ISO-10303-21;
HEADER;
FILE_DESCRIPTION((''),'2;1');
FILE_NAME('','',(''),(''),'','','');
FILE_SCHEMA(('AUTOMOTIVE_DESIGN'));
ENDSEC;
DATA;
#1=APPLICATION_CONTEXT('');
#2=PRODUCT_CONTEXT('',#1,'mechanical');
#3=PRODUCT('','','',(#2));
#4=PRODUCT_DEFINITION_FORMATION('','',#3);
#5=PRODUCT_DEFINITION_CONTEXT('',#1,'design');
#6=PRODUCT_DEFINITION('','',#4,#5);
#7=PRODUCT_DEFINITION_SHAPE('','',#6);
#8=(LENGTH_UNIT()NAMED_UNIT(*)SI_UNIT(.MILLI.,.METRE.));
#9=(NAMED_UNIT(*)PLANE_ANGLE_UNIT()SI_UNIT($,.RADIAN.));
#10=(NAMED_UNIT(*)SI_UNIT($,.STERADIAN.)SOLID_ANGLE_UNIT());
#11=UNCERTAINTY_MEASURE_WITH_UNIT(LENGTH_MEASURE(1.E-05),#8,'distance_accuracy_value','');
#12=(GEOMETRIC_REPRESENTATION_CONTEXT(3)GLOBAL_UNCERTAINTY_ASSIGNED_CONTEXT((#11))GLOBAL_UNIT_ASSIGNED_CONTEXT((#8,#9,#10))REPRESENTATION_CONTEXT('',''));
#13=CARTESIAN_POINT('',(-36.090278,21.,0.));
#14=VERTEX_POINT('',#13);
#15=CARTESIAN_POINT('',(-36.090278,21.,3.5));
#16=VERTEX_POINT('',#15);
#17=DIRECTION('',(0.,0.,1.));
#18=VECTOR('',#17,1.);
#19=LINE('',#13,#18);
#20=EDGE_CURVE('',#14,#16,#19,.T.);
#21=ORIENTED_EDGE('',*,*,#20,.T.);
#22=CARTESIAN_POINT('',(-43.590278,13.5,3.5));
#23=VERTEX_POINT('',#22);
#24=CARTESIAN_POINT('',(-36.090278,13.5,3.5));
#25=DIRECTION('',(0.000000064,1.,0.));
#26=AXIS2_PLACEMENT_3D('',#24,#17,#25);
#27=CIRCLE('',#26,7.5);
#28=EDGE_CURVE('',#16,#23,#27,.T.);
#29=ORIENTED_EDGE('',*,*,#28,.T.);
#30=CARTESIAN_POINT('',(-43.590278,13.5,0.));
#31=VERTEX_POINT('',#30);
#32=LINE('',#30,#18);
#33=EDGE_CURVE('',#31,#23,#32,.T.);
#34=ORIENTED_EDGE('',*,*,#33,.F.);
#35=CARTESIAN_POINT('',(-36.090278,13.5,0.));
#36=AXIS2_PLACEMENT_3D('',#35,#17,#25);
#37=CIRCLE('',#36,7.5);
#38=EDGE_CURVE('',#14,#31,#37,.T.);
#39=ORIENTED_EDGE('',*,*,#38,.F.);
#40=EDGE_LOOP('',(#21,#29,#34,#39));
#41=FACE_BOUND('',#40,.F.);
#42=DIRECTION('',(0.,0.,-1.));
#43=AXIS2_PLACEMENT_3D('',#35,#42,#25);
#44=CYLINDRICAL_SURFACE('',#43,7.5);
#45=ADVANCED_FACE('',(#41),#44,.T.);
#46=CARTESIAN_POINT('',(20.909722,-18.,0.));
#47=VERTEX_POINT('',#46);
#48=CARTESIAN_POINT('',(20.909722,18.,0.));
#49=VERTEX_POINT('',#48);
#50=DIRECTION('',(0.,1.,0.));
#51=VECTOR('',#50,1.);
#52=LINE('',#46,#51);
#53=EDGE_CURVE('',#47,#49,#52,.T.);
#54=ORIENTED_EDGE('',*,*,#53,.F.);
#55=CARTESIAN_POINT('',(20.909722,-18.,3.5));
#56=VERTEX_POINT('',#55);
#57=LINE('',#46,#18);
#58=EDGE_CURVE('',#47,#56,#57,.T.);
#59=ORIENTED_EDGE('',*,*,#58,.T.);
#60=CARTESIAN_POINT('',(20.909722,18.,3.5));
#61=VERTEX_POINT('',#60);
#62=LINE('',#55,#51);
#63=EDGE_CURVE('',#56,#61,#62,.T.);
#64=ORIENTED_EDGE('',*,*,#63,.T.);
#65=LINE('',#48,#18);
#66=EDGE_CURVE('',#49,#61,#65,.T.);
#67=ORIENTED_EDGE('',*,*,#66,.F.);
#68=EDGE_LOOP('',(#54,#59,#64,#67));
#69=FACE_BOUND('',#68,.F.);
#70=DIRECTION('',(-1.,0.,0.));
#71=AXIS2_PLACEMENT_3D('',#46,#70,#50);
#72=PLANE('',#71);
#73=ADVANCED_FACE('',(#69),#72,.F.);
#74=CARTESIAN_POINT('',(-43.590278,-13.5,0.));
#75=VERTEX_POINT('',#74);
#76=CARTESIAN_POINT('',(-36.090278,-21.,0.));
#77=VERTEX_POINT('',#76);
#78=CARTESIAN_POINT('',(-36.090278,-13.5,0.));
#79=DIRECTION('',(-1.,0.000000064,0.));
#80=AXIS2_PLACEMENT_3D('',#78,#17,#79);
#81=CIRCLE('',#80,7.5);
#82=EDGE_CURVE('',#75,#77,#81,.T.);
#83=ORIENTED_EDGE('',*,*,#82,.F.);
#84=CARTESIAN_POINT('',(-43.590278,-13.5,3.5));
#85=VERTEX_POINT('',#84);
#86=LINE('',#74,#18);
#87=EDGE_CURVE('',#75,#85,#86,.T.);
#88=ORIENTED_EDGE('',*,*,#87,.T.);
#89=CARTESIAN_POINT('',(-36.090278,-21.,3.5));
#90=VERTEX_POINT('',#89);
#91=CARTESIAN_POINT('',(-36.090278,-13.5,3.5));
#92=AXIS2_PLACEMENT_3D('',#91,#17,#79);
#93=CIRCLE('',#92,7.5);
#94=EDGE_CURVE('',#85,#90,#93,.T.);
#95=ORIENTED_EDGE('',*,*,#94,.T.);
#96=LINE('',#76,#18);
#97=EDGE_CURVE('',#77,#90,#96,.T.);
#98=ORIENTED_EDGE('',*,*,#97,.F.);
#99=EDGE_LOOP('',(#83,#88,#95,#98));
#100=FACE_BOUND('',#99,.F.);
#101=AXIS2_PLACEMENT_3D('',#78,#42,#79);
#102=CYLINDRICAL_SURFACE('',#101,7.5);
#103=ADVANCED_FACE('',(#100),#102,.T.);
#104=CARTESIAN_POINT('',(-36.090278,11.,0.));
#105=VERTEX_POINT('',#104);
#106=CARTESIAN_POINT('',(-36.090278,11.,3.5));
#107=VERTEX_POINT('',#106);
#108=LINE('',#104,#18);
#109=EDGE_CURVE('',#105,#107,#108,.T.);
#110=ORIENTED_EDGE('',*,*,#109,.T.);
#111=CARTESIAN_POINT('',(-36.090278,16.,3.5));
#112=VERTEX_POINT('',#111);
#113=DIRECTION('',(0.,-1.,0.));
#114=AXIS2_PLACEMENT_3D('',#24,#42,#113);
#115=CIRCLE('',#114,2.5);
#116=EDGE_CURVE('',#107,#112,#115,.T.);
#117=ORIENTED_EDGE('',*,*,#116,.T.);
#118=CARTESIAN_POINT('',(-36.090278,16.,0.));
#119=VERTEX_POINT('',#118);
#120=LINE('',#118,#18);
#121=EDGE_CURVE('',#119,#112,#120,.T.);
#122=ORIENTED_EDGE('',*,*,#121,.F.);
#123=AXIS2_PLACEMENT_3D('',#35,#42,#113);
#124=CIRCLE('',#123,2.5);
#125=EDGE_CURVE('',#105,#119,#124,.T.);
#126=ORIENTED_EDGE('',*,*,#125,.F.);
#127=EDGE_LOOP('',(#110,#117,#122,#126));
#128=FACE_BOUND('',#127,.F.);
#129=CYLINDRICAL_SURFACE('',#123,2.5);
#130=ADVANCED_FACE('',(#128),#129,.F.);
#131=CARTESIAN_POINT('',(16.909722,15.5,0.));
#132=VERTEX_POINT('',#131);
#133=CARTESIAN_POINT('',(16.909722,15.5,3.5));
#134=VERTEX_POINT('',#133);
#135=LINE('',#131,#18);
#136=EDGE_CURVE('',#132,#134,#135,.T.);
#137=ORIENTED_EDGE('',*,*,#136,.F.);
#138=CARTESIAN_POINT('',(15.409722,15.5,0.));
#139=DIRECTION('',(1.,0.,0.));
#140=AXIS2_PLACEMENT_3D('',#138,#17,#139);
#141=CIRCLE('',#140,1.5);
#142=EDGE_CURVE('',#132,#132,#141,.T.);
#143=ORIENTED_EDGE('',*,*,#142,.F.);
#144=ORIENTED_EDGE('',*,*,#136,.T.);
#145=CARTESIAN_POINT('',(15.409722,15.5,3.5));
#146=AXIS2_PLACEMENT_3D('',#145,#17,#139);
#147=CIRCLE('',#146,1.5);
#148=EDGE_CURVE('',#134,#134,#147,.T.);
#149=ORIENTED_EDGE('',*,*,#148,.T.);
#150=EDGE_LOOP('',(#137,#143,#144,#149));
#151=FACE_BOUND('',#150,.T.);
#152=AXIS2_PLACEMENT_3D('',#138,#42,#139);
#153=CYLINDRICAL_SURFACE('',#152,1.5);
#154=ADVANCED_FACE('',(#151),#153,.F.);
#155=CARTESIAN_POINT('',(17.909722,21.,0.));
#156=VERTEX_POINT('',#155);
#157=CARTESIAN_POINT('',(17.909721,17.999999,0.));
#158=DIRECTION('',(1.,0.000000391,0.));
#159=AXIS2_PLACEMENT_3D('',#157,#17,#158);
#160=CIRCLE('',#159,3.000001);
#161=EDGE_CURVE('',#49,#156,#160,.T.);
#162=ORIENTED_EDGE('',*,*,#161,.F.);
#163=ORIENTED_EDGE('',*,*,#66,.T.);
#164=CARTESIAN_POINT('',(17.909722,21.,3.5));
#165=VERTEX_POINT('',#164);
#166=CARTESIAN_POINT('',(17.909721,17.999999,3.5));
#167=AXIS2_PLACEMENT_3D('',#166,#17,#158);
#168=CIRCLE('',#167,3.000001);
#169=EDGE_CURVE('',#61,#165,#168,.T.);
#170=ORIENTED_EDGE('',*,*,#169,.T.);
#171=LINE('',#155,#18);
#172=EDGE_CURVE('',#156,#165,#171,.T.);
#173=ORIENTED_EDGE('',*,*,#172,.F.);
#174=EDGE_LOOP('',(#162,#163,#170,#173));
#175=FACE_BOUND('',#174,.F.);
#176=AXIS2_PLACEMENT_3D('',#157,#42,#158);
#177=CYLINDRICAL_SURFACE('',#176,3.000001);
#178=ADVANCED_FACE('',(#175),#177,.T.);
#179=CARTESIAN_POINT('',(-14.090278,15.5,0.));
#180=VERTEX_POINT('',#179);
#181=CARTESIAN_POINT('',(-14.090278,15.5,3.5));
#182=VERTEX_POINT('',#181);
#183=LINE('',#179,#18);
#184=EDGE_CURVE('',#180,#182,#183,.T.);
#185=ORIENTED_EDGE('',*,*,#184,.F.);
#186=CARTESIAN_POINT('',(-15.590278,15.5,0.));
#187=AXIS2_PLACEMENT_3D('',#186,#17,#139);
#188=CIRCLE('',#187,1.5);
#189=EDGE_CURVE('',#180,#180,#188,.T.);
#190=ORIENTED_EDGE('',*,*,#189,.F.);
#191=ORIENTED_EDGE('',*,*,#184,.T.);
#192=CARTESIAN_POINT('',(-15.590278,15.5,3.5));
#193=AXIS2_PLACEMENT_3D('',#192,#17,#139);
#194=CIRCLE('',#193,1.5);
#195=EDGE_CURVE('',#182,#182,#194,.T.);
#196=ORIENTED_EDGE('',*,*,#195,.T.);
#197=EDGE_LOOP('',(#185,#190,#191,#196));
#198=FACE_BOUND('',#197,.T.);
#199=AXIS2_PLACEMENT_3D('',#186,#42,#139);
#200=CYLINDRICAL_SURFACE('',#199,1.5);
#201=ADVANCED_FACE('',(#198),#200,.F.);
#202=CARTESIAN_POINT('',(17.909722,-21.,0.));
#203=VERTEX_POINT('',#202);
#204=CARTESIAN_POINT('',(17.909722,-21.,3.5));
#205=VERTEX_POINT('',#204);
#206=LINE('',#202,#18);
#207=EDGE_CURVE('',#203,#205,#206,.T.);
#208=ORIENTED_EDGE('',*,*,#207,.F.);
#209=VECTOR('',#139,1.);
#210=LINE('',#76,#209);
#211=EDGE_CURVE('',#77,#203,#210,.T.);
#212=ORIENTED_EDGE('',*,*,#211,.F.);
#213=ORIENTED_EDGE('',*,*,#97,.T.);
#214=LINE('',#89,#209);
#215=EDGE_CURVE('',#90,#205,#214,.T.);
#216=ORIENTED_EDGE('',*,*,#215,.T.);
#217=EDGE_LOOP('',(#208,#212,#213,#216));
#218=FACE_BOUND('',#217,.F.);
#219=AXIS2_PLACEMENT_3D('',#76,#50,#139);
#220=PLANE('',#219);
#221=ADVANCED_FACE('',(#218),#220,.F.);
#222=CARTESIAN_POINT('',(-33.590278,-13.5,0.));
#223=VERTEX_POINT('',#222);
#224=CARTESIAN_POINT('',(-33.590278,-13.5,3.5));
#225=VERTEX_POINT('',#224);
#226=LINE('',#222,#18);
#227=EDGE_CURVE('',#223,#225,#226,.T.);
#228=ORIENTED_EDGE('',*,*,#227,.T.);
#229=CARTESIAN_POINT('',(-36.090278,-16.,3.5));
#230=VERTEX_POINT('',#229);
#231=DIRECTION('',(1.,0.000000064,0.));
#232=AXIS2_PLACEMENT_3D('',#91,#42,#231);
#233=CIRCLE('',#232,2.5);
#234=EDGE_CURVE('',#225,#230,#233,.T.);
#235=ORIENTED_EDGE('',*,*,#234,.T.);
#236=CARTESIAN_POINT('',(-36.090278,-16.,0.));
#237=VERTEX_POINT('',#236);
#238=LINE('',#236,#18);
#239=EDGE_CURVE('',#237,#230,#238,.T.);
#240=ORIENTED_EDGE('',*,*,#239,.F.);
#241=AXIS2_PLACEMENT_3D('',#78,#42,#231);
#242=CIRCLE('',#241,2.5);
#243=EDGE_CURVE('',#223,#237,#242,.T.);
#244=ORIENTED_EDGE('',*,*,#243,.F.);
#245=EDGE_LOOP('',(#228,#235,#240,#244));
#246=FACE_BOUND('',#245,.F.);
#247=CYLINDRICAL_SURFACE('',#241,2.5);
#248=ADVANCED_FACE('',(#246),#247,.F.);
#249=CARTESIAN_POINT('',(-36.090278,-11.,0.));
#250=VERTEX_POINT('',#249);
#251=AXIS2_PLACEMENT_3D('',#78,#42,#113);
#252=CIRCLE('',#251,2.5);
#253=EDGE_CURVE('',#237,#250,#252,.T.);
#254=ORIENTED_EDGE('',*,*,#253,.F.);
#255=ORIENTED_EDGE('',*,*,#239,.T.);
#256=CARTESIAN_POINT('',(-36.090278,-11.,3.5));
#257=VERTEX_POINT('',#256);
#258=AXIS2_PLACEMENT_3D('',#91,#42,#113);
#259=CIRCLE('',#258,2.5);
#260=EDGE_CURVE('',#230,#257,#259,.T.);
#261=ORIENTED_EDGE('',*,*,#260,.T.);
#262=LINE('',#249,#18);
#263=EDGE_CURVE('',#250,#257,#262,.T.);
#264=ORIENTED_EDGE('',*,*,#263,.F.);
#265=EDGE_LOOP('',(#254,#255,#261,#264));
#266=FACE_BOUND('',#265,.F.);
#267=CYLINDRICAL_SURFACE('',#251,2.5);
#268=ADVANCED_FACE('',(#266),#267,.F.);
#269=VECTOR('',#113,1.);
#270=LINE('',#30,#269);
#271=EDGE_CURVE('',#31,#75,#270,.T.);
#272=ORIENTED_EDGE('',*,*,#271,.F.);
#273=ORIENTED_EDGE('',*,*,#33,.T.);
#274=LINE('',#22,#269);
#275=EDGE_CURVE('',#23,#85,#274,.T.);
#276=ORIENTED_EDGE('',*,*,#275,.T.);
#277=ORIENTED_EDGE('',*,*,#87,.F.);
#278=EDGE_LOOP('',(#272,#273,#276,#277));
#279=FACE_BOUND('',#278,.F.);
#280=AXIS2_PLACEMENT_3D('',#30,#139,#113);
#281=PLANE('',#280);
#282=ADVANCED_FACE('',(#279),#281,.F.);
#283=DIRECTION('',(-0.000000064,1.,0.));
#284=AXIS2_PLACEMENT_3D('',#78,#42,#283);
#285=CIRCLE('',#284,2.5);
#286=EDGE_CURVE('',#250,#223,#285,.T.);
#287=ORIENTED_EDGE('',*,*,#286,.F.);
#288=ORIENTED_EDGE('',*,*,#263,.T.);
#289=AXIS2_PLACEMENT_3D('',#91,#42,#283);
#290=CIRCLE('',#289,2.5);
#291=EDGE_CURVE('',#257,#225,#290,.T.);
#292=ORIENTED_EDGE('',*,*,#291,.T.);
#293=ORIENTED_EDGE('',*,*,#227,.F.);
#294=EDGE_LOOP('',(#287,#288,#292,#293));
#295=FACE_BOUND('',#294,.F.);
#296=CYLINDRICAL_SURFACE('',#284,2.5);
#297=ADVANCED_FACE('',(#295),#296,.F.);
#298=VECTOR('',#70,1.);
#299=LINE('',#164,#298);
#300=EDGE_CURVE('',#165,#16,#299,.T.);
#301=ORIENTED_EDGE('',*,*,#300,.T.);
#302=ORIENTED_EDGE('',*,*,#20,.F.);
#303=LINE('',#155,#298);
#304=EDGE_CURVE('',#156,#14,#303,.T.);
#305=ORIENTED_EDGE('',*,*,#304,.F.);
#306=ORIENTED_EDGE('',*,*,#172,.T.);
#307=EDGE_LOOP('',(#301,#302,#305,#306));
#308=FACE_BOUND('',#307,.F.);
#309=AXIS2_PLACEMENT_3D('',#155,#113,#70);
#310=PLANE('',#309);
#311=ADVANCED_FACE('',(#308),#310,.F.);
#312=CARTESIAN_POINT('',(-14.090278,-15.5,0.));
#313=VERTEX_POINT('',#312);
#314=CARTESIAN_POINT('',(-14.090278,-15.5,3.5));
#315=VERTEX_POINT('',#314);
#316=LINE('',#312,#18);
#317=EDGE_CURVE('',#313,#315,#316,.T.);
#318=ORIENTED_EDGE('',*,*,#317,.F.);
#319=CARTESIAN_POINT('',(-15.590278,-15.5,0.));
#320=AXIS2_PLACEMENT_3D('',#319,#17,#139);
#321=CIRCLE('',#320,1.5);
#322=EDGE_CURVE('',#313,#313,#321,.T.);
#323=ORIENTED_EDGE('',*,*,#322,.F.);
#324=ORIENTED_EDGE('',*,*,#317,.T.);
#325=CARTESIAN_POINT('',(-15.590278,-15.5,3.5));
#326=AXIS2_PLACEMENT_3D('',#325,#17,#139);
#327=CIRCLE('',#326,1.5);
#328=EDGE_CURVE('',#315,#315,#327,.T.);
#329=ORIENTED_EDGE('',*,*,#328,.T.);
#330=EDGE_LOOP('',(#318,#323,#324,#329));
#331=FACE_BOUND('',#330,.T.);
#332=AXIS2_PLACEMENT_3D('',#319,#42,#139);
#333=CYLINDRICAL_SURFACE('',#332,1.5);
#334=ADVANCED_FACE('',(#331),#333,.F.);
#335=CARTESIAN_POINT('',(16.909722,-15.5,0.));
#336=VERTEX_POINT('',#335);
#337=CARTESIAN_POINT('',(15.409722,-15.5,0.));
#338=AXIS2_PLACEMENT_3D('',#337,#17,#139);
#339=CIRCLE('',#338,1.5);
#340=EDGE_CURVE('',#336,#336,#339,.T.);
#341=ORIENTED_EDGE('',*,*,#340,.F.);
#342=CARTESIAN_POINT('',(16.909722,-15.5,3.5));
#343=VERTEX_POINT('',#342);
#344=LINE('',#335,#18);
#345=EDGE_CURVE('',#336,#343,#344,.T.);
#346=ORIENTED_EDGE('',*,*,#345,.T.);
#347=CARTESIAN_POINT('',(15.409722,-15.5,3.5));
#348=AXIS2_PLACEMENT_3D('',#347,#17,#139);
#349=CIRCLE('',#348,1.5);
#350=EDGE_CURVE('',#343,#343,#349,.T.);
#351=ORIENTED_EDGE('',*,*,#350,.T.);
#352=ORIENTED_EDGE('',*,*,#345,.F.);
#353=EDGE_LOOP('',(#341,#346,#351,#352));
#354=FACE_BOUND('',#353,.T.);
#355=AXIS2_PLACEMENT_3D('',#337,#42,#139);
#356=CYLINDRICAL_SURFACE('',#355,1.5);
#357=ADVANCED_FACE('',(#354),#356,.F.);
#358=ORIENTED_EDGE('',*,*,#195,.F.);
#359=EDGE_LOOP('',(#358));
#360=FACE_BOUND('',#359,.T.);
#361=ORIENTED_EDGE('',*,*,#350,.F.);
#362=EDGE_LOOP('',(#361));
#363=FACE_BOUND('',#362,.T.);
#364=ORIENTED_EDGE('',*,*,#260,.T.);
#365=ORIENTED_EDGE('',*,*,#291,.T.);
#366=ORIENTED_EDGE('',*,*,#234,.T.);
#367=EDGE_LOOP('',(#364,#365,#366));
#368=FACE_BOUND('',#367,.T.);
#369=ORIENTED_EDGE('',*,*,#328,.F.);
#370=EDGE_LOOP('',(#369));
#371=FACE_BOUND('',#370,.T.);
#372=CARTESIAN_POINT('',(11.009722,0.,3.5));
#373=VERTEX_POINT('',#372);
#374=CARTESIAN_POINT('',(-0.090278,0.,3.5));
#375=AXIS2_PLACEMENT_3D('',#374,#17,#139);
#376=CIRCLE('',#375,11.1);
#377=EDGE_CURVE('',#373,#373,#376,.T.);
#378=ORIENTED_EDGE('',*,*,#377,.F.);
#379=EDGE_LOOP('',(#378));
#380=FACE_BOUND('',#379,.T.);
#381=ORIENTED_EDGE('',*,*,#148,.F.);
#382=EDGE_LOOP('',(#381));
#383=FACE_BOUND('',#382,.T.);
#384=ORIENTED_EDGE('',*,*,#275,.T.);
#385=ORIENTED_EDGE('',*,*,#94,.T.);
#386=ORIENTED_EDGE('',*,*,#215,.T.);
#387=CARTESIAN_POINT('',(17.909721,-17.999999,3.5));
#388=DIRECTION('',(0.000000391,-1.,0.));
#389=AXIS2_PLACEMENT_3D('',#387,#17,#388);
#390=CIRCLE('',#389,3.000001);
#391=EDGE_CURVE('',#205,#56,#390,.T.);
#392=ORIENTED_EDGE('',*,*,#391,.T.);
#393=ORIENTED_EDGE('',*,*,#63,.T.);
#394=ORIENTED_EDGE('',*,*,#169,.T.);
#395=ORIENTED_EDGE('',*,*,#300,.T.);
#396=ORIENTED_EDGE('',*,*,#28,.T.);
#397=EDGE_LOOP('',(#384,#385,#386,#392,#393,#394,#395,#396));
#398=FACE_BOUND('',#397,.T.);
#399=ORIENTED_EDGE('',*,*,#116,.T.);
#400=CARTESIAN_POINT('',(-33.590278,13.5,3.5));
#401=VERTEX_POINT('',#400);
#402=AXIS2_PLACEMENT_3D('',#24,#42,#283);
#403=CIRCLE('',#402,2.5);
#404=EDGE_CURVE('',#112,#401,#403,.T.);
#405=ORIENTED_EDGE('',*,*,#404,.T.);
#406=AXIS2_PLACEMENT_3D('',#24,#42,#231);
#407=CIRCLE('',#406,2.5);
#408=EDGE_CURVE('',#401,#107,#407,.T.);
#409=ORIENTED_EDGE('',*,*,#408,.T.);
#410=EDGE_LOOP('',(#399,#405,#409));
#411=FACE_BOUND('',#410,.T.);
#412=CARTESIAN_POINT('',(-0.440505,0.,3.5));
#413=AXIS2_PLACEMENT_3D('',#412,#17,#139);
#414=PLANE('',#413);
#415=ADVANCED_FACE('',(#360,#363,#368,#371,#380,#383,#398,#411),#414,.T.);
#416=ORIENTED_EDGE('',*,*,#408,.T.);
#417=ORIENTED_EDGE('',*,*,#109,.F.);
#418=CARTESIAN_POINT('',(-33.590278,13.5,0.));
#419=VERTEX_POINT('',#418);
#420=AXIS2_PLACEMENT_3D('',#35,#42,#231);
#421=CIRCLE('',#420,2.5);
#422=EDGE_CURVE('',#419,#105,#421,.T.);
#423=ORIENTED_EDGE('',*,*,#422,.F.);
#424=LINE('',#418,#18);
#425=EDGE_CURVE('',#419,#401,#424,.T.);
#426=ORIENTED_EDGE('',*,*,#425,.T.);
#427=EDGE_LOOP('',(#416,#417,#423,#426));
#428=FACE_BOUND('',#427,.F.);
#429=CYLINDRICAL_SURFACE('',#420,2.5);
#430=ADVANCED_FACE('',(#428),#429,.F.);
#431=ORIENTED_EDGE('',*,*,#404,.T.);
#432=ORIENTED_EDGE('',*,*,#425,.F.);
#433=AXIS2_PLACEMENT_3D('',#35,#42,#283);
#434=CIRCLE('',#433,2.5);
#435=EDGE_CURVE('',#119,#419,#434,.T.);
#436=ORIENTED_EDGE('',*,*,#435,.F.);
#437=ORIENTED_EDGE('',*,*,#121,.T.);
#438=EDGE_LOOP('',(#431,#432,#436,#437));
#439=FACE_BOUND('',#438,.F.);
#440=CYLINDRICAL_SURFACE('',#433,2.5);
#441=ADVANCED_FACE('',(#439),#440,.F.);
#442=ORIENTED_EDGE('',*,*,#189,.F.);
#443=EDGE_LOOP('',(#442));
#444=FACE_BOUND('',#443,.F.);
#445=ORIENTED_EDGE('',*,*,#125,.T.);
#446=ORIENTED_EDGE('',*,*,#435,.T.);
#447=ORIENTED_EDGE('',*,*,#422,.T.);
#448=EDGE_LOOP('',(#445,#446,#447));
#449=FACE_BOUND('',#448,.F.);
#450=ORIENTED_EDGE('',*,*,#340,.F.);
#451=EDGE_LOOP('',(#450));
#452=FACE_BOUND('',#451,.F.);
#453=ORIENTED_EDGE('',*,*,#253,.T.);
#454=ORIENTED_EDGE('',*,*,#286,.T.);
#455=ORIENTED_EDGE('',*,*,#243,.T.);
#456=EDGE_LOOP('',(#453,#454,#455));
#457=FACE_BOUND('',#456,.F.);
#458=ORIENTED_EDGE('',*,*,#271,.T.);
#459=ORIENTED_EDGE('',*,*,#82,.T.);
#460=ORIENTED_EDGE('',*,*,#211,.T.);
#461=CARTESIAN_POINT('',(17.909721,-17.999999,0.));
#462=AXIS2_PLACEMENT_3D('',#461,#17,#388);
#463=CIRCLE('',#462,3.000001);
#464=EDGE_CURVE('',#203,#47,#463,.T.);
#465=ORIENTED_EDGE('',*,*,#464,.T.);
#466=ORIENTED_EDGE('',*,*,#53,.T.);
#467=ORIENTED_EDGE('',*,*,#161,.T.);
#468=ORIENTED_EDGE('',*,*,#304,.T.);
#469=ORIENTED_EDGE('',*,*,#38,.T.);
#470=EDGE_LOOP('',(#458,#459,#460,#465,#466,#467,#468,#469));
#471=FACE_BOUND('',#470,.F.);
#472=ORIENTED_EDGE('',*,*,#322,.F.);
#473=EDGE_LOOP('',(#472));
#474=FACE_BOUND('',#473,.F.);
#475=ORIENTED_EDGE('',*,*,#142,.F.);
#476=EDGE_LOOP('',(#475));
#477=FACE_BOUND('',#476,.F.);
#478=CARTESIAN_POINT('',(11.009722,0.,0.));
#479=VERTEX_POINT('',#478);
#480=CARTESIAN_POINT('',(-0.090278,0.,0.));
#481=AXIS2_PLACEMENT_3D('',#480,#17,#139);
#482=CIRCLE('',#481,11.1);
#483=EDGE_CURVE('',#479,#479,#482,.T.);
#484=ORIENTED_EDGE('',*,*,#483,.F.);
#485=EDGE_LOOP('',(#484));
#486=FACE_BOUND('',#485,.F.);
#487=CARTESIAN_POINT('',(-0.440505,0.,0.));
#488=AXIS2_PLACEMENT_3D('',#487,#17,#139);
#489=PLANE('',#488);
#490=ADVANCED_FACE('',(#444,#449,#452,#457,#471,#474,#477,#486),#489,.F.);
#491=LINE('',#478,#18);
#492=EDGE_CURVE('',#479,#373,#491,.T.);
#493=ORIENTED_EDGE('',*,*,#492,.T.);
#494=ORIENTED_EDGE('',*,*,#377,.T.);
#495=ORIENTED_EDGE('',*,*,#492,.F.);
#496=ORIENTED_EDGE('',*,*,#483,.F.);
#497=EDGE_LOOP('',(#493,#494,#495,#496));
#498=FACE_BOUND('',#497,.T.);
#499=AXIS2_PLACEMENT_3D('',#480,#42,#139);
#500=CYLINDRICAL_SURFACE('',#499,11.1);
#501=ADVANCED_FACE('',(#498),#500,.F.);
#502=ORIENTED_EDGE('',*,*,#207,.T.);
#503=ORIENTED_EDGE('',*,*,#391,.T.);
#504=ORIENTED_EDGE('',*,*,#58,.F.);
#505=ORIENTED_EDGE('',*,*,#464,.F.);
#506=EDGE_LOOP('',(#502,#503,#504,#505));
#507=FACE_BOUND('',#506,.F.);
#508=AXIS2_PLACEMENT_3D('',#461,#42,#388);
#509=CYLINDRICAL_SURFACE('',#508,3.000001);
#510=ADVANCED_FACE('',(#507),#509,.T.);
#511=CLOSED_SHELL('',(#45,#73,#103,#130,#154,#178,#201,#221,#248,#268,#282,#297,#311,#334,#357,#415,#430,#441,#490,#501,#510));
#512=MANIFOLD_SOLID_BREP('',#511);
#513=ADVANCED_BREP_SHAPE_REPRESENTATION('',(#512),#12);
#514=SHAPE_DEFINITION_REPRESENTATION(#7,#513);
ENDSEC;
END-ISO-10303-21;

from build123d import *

# Parameters (mm, degrees)
F0_R     = 1.5
F0_R_2   = 11.1
F1_DEPTH = 3.5


with BuildPart() as f1:
    # F0 (on Top) → F1 (new body)
    with BuildSketch(Plane.XY):
        with BuildLine():
            Line((17.909722, 21), (-21.090278, 21))
            Line((-21.090278, 21), (-21.090278, -21))
            Line((-21.090278, -21), (-15.590278, -21))
            Line((-15.590278, -21), (17.909722, -21))
            ThreePointArc((17.909722, -21), (20.031042, -20.12132), (20.909722, -18))
            Line((20.909722, -18), (20.909722, 18))
            ThreePointArc((20.909722, 18), (20.031042, 20.12132), (17.909722, 21))
        make_face()
        with Locations((-15.590278, -15.5)):
            Circle(F0_R, mode=Mode.SUBTRACT)
        with Locations((15.409722, -15.5)):
            Circle(F0_R, mode=Mode.SUBTRACT)
        with Locations((-15.590278, 15.5)):
            Circle(F0_R, mode=Mode.SUBTRACT)
        with Locations((-0.090278, 0)):
            Circle(F0_R_2, mode=Mode.SUBTRACT)
        with Locations((15.409722, 15.5)):
            Circle(F0_R, mode=Mode.SUBTRACT)
        with BuildLine():
            Line((-21.090278, -21), (-21.090278, 21))
            Line((-21.090278, 21), (-36.090278, 21))
            Line((-36.090278, 21), (-36.090278, 16))
            ThreePointArc((-36.090278, 16), (-34.322511, 15.267767), (-33.590278, 13.5))
            ThreePointArc((-33.590278, 13.5), (-34.322511, 11.732233), (-36.090278, 11))
            Line((-36.090278, 11), (-36.090278, -11))
            ThreePointArc((-36.090278, -11), (-34.322511, -11.732233), (-33.590278, -13.5))
            ThreePointArc((-33.590278, -13.5), (-34.322511, -15.267767), (-36.090278, -16))
            Line((-36.090278, -16), (-36.090278, -21))
            Line((-36.090278, -21), (-21.090278, -21))
        make_face()
        with BuildLine():
            Line((-36.090278, 16), (-36.090278, 21))
            ThreePointArc((-36.090278, 21), (-41.393579, 18.803301), (-43.590278, 13.5))
            Line((-43.590278, 13.5), (-43.590278, -13.5))
            ThreePointArc((-43.590278, -13.5), (-41.393579, -18.803301), (-36.090278, -21))
            Line((-36.090278, -21), (-36.090278, -16))
            ThreePointArc((-36.090278, -16), (-38.590278, -13.5), (-36.090278, -11))
            Line((-36.090278, -11), (-36.090278, 11))
            ThreePointArc((-36.090278, 11), (-38.590278, 13.5), (-36.090278, 16))
        make_face()
    extrude(amount=F1_DEPTH)


solid = f1.part
